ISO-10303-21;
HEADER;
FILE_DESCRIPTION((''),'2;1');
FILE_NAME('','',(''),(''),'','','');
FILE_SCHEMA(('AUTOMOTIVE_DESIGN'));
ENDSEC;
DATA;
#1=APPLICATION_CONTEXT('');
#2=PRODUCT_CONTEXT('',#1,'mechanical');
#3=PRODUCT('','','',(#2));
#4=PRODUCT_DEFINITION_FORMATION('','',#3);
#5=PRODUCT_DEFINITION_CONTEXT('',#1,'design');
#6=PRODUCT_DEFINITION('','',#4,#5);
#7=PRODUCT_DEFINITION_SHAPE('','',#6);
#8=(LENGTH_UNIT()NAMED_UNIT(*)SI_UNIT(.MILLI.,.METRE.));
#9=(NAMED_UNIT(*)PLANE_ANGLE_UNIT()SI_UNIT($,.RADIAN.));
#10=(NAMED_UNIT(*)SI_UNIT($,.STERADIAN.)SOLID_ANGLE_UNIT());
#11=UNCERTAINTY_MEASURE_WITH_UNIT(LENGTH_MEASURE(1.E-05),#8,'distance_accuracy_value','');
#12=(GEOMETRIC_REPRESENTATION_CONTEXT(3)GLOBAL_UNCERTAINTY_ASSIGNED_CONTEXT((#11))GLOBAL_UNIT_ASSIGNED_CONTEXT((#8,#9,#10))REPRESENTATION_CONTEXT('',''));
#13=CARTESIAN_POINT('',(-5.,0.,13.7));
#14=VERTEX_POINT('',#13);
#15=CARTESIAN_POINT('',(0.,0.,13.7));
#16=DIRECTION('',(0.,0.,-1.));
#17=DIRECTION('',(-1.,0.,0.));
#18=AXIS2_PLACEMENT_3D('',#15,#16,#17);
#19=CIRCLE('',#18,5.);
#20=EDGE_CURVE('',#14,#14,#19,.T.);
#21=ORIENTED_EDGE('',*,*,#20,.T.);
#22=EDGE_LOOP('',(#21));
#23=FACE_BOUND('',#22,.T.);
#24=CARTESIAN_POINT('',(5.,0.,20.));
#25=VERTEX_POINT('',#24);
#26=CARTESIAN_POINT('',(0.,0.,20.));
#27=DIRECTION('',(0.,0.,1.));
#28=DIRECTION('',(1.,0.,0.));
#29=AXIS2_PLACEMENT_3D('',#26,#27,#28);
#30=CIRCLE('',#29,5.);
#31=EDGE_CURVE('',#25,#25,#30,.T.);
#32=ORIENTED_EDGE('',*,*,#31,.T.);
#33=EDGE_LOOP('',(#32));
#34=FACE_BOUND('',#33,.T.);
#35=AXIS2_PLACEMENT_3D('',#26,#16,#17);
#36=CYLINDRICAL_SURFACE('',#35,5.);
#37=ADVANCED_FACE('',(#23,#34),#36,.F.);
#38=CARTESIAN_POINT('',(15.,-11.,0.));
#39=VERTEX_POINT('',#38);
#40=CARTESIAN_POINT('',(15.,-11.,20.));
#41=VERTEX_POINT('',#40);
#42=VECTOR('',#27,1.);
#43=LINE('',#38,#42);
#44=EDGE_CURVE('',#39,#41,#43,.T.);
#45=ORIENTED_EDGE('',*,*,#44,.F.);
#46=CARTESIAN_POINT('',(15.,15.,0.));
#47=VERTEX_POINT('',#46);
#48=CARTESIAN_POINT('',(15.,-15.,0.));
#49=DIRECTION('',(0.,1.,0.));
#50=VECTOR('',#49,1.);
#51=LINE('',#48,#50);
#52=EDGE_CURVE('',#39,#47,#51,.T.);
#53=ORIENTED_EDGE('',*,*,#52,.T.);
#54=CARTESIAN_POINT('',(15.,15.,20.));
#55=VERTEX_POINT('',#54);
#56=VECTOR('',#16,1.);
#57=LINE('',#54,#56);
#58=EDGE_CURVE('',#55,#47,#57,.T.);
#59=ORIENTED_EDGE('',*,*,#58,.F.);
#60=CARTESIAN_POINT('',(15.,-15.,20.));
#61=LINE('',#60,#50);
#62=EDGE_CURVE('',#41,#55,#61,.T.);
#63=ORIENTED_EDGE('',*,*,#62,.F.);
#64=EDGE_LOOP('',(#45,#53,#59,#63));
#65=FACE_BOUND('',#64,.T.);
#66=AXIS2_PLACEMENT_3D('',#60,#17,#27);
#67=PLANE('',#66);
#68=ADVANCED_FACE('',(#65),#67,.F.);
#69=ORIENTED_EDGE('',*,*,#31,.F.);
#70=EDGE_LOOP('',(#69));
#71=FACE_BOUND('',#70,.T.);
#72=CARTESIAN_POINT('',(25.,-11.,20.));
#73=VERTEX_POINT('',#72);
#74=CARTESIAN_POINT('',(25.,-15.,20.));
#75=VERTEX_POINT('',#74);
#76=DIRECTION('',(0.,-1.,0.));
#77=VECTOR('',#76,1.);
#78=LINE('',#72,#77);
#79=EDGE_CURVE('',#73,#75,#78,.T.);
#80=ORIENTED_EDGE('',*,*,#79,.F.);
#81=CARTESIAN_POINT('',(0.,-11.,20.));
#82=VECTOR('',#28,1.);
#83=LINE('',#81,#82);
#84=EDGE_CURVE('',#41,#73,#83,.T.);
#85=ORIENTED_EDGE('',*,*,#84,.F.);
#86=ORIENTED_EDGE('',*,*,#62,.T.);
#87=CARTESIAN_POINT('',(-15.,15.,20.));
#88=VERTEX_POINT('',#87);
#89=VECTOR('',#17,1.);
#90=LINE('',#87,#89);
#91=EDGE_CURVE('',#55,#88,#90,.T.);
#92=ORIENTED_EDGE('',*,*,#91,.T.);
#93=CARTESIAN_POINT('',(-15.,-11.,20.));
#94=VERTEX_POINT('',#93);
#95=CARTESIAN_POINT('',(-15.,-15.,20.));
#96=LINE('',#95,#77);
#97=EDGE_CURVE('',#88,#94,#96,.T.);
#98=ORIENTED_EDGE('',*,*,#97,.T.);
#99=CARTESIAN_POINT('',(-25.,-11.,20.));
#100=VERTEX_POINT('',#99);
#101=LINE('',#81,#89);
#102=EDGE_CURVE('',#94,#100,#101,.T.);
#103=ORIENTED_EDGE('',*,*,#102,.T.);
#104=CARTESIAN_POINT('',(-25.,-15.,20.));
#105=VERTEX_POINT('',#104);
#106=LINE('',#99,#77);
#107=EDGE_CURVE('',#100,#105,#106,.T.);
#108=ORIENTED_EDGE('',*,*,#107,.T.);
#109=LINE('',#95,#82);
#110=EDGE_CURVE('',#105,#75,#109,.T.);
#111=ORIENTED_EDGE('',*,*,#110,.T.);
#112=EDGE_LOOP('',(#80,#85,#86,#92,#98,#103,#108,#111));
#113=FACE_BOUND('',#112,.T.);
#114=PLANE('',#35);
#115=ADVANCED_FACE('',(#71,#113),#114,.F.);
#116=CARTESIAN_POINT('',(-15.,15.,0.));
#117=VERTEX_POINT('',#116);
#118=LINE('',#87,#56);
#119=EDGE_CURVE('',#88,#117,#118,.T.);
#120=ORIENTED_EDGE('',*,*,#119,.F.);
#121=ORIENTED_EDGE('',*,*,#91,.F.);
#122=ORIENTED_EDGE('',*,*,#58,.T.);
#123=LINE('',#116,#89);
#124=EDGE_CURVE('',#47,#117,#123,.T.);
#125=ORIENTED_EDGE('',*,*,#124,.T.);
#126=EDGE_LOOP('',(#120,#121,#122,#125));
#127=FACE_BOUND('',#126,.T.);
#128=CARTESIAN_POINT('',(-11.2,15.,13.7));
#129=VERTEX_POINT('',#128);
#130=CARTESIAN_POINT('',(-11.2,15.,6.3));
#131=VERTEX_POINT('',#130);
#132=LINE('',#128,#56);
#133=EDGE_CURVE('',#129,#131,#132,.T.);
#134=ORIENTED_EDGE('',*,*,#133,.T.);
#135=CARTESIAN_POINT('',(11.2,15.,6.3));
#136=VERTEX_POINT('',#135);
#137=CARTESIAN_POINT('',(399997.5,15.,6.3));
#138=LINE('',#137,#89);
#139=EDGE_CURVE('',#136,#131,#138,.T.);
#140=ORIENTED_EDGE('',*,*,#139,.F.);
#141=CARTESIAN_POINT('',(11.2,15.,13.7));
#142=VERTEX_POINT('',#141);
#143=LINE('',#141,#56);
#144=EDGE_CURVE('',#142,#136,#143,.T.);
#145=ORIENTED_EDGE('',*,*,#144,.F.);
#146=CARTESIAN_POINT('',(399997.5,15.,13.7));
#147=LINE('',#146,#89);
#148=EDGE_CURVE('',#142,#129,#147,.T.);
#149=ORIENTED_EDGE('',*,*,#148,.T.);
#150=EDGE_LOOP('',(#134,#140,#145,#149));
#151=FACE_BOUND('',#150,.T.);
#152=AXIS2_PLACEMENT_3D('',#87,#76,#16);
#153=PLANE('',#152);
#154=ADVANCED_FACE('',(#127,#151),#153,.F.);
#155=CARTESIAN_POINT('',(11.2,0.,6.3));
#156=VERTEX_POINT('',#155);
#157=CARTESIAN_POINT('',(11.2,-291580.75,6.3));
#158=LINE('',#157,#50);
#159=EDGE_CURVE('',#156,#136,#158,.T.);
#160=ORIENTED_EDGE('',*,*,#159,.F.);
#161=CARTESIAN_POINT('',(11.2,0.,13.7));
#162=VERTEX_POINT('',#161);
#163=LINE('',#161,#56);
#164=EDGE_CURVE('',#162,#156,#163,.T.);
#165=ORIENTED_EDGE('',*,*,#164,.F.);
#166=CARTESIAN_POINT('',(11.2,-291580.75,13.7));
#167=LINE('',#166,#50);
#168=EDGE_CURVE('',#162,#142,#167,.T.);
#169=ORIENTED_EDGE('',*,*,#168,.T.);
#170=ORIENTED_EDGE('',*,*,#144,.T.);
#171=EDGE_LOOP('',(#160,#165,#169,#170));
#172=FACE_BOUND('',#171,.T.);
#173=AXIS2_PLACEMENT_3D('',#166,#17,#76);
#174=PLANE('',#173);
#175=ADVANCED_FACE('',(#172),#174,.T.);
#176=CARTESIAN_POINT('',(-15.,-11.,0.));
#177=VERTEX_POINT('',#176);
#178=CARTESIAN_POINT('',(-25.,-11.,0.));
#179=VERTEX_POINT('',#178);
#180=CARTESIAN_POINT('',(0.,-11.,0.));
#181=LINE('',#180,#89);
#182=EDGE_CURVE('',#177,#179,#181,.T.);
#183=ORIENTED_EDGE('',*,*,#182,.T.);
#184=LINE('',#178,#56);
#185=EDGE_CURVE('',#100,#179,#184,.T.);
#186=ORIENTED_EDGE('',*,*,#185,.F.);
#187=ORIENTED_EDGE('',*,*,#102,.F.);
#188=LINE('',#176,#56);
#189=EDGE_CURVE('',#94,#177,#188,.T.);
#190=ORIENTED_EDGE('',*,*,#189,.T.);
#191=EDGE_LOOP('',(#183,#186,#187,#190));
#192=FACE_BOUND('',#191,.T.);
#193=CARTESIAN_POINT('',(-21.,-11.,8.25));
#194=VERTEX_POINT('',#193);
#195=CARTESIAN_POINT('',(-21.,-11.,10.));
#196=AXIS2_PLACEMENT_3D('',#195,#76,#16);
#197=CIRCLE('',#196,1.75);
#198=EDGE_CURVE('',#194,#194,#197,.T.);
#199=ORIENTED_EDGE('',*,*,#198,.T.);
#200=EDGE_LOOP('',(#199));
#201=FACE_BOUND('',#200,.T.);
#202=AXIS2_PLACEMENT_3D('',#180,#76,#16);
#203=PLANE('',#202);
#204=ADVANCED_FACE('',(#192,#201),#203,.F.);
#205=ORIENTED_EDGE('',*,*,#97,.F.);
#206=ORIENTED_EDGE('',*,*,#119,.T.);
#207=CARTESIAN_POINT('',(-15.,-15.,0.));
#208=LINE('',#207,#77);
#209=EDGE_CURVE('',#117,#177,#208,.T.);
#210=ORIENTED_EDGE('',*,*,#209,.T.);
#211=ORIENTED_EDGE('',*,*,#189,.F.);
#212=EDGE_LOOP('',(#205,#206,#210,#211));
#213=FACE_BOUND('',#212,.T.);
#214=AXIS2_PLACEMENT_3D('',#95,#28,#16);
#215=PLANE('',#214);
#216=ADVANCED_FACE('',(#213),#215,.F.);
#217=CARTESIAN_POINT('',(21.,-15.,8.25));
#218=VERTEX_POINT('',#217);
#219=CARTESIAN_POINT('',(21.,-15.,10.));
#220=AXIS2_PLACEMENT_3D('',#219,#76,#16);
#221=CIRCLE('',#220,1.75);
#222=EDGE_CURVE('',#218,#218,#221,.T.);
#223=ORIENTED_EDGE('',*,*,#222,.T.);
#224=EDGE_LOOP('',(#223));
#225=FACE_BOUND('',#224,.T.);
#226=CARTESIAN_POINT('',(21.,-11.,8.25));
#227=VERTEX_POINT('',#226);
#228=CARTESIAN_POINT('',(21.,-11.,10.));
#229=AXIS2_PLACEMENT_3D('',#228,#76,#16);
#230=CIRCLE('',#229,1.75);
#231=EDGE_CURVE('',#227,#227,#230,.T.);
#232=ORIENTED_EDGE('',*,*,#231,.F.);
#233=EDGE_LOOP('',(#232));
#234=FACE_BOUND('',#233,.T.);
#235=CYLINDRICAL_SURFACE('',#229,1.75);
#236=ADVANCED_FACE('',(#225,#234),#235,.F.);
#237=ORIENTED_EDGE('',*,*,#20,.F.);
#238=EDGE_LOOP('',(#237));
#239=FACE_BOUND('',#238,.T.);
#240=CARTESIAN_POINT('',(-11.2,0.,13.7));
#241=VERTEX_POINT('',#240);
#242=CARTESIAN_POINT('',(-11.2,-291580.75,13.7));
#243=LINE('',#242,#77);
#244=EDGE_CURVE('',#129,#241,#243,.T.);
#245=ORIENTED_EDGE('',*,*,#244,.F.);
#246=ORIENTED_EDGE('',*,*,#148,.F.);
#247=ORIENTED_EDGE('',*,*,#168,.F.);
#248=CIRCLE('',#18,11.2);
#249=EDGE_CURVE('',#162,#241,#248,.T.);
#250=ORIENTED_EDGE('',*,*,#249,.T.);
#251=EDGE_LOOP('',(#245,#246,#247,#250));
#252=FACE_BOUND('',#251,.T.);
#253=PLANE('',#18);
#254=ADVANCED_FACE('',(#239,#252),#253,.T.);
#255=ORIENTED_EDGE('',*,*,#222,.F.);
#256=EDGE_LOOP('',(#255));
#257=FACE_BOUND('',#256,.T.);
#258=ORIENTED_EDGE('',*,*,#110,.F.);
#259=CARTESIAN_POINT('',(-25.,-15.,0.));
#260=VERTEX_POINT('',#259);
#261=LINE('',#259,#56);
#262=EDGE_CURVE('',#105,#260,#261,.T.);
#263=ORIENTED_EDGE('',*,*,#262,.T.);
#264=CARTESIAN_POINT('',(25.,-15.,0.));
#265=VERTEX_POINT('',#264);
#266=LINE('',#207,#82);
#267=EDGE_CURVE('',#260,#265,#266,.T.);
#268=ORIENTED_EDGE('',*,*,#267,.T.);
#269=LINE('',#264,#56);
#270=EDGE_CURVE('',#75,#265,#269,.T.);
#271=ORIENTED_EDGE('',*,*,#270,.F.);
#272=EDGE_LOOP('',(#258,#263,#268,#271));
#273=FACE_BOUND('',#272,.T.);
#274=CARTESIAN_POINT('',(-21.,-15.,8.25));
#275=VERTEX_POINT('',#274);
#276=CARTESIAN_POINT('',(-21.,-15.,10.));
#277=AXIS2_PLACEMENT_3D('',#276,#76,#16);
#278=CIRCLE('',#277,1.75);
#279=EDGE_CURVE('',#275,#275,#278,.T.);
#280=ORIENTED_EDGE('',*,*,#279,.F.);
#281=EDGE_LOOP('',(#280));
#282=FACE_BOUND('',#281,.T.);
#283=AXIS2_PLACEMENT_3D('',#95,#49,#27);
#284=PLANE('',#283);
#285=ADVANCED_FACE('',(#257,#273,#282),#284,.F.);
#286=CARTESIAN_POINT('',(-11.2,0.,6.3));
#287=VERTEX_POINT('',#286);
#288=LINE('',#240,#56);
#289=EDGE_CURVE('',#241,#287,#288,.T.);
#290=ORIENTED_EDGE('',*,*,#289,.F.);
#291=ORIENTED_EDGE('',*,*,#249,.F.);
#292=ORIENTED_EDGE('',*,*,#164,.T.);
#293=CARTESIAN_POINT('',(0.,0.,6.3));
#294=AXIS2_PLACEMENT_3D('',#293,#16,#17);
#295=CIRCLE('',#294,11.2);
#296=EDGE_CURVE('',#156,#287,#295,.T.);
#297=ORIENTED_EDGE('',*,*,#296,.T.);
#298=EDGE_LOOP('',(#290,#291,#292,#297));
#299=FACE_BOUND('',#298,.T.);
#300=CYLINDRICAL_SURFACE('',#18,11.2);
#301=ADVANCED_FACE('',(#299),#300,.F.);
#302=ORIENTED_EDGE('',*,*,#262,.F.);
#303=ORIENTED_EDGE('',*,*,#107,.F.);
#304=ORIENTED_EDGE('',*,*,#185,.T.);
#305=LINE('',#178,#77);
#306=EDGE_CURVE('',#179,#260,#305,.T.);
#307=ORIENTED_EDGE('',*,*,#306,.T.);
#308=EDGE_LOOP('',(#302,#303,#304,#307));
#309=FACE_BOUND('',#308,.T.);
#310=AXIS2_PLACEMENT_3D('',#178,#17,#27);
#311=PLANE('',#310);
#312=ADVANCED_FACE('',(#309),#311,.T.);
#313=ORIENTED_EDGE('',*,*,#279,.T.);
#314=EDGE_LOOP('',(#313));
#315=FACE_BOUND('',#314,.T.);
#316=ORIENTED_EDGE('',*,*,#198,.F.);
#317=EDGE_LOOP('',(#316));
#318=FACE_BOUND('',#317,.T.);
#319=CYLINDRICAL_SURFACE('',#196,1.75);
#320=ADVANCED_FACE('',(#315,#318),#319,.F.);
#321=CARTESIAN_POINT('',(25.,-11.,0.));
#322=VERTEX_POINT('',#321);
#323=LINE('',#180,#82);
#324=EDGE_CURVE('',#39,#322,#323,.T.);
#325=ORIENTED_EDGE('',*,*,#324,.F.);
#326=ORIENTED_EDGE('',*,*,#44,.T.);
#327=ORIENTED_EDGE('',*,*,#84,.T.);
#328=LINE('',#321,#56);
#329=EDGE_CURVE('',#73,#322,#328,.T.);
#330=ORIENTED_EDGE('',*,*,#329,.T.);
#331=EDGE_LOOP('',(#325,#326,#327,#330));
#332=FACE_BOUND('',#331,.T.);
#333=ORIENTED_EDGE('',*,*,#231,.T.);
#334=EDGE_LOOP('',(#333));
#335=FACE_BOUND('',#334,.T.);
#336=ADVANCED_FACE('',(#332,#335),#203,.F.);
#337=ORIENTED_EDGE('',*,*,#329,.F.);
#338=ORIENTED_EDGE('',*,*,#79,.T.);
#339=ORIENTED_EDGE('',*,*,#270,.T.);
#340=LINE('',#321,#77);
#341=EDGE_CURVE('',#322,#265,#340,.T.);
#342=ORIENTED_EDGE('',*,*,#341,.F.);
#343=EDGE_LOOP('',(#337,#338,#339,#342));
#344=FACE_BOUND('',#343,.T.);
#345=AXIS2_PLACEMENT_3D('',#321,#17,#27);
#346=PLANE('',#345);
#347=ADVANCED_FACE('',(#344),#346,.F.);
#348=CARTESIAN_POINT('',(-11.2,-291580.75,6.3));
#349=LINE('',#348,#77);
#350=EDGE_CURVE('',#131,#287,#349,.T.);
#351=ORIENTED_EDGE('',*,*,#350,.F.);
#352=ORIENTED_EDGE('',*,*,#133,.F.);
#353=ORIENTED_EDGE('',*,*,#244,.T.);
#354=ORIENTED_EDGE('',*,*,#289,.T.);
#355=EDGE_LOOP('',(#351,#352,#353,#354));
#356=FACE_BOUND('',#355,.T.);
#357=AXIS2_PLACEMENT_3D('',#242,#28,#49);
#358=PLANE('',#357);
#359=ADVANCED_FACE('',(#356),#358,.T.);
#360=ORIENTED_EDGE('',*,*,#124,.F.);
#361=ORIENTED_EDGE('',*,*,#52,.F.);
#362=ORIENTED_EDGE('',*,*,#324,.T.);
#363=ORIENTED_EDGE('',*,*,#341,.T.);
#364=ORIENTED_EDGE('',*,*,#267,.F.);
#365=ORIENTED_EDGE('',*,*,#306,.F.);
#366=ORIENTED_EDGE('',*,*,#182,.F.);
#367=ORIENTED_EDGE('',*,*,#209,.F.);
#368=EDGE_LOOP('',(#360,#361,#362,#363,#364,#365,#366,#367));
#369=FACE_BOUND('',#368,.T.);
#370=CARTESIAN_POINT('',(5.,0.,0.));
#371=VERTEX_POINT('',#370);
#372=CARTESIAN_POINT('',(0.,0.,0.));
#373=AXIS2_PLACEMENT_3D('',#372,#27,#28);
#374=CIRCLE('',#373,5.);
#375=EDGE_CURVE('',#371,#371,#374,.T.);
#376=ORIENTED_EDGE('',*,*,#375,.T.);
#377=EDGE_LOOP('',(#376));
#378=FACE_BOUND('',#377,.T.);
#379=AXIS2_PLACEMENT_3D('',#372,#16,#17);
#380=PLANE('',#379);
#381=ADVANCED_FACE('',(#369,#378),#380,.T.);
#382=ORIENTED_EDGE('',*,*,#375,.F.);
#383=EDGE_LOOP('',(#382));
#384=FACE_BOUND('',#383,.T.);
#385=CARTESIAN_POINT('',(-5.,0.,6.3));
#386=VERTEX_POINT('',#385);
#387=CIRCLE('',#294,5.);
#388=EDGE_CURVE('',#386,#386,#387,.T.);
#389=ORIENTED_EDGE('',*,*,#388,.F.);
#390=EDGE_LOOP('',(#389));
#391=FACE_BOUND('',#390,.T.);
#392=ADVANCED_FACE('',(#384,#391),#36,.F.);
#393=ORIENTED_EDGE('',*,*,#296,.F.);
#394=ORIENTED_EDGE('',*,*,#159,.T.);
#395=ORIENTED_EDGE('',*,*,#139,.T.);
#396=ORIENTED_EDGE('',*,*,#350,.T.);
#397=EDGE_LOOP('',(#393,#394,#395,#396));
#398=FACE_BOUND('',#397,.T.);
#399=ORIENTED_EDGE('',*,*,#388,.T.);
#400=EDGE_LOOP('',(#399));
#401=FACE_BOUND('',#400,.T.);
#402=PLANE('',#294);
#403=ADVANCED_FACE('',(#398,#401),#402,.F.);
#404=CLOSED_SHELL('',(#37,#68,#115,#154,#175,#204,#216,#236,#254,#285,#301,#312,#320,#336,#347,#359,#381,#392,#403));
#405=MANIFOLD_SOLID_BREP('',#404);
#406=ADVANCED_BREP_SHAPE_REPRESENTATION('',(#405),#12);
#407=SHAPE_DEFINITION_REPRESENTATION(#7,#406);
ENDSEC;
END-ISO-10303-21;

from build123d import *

# Parameters (mm, degrees)
SKETCH2_W           = 30
SKETCH2_H           = 30
SKETCH2_R           = 5
BOSS_EXTRUDE1_DEPTH = 20
CUT_EXTRUDE2_START  = 10
CUT_EXTRUDE2_DEPTH  = 3.7
SKETCH4_W           = 10
SKETCH4_H           = 20
SKETCH4_R           = 1.75
BOSS_EXTRUDE2_DEPTH = 4


with BuildPart() as part:
    # Sketch2 → Boss-Extrude1 (new body)
    with BuildSketch(Plane.XY):
        Rectangle(SKETCH2_W, SKETCH2_H)
        Circle(SKETCH2_R, mode=Mode.SUBTRACT)
    extrude(amount=BOSS_EXTRUDE1_DEPTH)

    # Sketch3 → Cut-Extrude2 (cut, symmetric)
    with BuildSketch(Plane.XY.offset(CUT_EXTRUDE2_START)):
        with BuildLine():
            Line((-11.2, 15), (-11.2, 0))
            ThreePointArc((-11.2, 0), (0, -11.2), (11.2, 0))
            Line((11.2, 0), (11.2, 15))
            Line((11.2, 15), (-11.2, 15))
        make_face()
    extrude(amount=CUT_EXTRUDE2_DEPTH, both=True, mode=Mode.SUBTRACT)

    # Sketch4 → Boss-Extrude2 (add)
    with BuildSketch(Plane.XZ.offset(15)):
        with Locations((-20, 10)):
            Rectangle(SKETCH4_W, SKETCH4_H)
        with Locations((-21, 10)):
            Circle(SKETCH4_R, mode=Mode.SUBTRACT)
        with Locations((20, 10)):
            Rectangle(SKETCH4_W, SKETCH4_H)
        with Locations((21, 10)):
            Circle(SKETCH4_R, mode=Mode.SUBTRACT)
    extrude(amount=-BOSS_EXTRUDE2_DEPTH)


solid = part.part
